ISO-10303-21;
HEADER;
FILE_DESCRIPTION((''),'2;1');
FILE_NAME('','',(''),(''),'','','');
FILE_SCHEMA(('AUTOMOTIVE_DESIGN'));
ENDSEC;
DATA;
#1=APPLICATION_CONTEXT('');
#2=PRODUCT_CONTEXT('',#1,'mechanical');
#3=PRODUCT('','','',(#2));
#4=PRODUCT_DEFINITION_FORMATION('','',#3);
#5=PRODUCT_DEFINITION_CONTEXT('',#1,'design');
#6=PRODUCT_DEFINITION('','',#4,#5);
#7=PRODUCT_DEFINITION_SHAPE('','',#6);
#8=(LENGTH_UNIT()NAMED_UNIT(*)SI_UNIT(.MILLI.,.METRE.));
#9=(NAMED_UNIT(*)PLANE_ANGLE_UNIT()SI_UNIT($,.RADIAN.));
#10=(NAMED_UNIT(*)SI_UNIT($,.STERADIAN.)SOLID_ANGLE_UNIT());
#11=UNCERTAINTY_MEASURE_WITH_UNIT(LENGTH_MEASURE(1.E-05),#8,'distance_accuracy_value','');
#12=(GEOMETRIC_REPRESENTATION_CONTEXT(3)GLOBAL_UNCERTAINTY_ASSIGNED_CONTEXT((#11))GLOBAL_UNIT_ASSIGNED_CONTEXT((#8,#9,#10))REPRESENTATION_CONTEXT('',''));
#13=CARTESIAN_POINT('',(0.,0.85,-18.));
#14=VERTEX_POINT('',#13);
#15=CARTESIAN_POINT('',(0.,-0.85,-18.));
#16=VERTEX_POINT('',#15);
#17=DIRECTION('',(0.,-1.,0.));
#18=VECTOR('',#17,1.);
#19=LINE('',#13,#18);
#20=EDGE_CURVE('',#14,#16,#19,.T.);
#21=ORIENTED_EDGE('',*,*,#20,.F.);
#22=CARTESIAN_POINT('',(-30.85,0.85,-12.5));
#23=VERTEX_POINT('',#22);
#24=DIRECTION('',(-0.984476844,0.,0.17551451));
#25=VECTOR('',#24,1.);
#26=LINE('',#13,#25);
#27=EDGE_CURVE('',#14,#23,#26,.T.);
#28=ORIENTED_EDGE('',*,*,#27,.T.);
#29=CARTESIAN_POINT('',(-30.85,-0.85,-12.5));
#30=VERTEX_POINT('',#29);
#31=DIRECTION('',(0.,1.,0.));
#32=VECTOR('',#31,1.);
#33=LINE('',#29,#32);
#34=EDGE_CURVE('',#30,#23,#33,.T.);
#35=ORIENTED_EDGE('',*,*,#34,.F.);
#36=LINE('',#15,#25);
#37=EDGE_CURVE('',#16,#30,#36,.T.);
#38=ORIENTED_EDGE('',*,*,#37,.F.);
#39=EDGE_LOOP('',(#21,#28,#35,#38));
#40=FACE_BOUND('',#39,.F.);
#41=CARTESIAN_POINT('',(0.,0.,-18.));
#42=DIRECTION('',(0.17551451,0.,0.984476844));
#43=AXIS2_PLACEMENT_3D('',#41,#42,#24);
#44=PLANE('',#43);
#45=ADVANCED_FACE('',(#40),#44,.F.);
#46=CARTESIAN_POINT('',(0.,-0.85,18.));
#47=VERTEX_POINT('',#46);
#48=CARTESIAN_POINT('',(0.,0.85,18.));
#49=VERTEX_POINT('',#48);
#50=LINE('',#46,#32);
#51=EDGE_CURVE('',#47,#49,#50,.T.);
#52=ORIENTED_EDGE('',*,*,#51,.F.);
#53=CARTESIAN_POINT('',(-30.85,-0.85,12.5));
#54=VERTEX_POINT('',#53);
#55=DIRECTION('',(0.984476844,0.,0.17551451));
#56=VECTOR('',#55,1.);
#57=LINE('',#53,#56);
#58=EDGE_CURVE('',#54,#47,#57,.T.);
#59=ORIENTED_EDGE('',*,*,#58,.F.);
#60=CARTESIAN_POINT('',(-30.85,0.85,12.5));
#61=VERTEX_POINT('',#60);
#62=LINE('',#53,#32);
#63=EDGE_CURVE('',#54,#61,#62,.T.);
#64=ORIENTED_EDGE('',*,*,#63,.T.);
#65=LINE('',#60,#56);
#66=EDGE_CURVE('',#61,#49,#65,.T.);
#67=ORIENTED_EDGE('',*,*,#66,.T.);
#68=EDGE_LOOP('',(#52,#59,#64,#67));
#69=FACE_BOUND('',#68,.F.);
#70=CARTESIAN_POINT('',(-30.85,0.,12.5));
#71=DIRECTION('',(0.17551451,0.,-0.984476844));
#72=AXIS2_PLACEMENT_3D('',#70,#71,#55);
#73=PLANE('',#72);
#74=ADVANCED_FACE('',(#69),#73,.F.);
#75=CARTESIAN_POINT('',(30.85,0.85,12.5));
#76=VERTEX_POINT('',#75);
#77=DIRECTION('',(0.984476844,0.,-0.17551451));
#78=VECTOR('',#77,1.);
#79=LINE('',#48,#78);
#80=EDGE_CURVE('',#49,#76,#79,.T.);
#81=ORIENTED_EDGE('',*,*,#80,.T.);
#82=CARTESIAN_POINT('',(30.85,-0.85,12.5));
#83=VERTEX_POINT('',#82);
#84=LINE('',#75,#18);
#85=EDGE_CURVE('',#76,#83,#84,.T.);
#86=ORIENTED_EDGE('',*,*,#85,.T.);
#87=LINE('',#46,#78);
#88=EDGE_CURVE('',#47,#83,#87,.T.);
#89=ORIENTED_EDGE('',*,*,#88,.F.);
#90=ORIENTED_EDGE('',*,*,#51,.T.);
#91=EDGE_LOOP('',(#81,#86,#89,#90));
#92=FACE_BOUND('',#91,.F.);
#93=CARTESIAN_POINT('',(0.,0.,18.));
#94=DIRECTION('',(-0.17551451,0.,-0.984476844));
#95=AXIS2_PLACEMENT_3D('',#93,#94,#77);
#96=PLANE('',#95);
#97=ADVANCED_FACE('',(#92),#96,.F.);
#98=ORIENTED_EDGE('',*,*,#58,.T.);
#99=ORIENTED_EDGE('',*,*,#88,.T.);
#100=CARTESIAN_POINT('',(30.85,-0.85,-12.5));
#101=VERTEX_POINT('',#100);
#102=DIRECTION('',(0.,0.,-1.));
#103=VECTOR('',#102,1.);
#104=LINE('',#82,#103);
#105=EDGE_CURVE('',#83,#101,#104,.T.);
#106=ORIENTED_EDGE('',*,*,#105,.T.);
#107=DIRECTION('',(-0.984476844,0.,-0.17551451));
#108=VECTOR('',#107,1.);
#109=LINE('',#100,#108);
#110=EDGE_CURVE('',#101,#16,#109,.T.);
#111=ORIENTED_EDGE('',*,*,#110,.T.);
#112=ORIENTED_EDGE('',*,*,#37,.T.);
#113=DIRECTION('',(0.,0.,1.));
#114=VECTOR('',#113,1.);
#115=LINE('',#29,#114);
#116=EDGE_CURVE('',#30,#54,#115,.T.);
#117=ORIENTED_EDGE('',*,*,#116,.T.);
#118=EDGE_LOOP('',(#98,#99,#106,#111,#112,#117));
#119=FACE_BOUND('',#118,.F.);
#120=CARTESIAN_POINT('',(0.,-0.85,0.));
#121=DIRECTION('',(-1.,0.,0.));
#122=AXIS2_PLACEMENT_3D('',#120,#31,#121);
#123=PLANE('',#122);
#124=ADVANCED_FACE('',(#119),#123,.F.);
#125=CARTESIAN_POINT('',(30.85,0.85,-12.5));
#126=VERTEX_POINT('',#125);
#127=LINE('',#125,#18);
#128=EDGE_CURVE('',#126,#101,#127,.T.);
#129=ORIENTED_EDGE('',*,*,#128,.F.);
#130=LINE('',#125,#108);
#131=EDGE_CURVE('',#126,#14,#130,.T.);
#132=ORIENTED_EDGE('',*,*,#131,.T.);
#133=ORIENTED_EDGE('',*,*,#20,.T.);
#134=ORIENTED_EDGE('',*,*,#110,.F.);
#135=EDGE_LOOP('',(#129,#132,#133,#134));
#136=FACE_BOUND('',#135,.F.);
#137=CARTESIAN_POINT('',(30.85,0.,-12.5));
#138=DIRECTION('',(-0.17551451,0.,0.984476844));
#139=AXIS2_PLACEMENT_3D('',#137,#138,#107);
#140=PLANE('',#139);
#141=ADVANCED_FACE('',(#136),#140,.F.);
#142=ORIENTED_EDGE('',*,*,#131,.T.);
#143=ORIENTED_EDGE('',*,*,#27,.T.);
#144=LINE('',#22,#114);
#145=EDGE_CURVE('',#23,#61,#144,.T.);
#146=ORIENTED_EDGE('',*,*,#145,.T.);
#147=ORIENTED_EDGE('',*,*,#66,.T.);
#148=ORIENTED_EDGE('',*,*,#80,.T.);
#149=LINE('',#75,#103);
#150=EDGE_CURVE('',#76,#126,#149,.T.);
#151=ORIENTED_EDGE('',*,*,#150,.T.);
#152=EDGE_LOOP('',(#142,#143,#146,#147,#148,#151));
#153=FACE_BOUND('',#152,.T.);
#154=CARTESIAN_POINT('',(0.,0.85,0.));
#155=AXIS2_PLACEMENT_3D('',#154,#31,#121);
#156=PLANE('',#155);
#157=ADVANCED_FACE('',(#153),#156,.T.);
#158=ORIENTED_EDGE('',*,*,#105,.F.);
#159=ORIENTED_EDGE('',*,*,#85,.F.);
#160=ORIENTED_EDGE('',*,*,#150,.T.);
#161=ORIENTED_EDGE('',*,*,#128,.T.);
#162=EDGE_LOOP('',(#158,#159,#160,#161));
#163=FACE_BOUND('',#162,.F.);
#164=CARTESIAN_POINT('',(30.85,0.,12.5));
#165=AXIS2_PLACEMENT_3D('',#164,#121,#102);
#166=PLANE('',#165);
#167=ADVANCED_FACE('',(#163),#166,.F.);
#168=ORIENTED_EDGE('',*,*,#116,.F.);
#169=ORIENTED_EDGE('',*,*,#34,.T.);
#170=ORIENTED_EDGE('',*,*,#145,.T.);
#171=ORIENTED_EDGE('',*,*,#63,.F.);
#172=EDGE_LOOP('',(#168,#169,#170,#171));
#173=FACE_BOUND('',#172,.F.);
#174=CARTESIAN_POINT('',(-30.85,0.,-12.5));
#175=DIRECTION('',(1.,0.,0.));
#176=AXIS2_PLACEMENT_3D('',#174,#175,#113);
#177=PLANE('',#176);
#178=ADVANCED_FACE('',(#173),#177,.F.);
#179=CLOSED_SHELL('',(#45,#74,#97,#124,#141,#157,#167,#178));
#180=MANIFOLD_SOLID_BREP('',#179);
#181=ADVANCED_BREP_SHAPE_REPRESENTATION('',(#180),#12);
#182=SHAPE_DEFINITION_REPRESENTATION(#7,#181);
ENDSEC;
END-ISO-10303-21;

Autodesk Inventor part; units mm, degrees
ref_plane "YZ Plane" through (0, 0, 0) normal (1, 0, 0) x (0, 1, 0)
ref_plane "XZ Plane" through (0, 0, 0) normal (0, 1, 0) x (-1, 0, 0)
ref_plane "XY Plane" through (0, 0, 0) normal (0, 0, 1) x (1, 0, 0)
sketch "Sketch1" plane through (0, 0, 0) normal (0, 1, 0) x (-1, 0, 0)
  line L0 (30.85, -12.5) -> (30.85, 12.5)
  line L1 (30.85, 12.5) -> (0, 18)
  line L2 (0, 18) -> (-30.85, 12.5)
  line L3 (-30.85, 12.5) -> (-30.85, -12.5)
  line L4 (-30.85, -12.5) -> (0, -18)
  line L5 (0, -18) -> (30.85, -12.5)
  point P0 (0, 0)
  point P1 (30.85, 0)
  point P2 (-30.85, 0)
  dimension "d0" = 61.7
  dimension "d1" = 25
  dimension "d2" = 36
extrude "Extrusion1" add sketch "Sketch1" along normal mid plane 1.7
properties part number "Speaker" material "Paper"
